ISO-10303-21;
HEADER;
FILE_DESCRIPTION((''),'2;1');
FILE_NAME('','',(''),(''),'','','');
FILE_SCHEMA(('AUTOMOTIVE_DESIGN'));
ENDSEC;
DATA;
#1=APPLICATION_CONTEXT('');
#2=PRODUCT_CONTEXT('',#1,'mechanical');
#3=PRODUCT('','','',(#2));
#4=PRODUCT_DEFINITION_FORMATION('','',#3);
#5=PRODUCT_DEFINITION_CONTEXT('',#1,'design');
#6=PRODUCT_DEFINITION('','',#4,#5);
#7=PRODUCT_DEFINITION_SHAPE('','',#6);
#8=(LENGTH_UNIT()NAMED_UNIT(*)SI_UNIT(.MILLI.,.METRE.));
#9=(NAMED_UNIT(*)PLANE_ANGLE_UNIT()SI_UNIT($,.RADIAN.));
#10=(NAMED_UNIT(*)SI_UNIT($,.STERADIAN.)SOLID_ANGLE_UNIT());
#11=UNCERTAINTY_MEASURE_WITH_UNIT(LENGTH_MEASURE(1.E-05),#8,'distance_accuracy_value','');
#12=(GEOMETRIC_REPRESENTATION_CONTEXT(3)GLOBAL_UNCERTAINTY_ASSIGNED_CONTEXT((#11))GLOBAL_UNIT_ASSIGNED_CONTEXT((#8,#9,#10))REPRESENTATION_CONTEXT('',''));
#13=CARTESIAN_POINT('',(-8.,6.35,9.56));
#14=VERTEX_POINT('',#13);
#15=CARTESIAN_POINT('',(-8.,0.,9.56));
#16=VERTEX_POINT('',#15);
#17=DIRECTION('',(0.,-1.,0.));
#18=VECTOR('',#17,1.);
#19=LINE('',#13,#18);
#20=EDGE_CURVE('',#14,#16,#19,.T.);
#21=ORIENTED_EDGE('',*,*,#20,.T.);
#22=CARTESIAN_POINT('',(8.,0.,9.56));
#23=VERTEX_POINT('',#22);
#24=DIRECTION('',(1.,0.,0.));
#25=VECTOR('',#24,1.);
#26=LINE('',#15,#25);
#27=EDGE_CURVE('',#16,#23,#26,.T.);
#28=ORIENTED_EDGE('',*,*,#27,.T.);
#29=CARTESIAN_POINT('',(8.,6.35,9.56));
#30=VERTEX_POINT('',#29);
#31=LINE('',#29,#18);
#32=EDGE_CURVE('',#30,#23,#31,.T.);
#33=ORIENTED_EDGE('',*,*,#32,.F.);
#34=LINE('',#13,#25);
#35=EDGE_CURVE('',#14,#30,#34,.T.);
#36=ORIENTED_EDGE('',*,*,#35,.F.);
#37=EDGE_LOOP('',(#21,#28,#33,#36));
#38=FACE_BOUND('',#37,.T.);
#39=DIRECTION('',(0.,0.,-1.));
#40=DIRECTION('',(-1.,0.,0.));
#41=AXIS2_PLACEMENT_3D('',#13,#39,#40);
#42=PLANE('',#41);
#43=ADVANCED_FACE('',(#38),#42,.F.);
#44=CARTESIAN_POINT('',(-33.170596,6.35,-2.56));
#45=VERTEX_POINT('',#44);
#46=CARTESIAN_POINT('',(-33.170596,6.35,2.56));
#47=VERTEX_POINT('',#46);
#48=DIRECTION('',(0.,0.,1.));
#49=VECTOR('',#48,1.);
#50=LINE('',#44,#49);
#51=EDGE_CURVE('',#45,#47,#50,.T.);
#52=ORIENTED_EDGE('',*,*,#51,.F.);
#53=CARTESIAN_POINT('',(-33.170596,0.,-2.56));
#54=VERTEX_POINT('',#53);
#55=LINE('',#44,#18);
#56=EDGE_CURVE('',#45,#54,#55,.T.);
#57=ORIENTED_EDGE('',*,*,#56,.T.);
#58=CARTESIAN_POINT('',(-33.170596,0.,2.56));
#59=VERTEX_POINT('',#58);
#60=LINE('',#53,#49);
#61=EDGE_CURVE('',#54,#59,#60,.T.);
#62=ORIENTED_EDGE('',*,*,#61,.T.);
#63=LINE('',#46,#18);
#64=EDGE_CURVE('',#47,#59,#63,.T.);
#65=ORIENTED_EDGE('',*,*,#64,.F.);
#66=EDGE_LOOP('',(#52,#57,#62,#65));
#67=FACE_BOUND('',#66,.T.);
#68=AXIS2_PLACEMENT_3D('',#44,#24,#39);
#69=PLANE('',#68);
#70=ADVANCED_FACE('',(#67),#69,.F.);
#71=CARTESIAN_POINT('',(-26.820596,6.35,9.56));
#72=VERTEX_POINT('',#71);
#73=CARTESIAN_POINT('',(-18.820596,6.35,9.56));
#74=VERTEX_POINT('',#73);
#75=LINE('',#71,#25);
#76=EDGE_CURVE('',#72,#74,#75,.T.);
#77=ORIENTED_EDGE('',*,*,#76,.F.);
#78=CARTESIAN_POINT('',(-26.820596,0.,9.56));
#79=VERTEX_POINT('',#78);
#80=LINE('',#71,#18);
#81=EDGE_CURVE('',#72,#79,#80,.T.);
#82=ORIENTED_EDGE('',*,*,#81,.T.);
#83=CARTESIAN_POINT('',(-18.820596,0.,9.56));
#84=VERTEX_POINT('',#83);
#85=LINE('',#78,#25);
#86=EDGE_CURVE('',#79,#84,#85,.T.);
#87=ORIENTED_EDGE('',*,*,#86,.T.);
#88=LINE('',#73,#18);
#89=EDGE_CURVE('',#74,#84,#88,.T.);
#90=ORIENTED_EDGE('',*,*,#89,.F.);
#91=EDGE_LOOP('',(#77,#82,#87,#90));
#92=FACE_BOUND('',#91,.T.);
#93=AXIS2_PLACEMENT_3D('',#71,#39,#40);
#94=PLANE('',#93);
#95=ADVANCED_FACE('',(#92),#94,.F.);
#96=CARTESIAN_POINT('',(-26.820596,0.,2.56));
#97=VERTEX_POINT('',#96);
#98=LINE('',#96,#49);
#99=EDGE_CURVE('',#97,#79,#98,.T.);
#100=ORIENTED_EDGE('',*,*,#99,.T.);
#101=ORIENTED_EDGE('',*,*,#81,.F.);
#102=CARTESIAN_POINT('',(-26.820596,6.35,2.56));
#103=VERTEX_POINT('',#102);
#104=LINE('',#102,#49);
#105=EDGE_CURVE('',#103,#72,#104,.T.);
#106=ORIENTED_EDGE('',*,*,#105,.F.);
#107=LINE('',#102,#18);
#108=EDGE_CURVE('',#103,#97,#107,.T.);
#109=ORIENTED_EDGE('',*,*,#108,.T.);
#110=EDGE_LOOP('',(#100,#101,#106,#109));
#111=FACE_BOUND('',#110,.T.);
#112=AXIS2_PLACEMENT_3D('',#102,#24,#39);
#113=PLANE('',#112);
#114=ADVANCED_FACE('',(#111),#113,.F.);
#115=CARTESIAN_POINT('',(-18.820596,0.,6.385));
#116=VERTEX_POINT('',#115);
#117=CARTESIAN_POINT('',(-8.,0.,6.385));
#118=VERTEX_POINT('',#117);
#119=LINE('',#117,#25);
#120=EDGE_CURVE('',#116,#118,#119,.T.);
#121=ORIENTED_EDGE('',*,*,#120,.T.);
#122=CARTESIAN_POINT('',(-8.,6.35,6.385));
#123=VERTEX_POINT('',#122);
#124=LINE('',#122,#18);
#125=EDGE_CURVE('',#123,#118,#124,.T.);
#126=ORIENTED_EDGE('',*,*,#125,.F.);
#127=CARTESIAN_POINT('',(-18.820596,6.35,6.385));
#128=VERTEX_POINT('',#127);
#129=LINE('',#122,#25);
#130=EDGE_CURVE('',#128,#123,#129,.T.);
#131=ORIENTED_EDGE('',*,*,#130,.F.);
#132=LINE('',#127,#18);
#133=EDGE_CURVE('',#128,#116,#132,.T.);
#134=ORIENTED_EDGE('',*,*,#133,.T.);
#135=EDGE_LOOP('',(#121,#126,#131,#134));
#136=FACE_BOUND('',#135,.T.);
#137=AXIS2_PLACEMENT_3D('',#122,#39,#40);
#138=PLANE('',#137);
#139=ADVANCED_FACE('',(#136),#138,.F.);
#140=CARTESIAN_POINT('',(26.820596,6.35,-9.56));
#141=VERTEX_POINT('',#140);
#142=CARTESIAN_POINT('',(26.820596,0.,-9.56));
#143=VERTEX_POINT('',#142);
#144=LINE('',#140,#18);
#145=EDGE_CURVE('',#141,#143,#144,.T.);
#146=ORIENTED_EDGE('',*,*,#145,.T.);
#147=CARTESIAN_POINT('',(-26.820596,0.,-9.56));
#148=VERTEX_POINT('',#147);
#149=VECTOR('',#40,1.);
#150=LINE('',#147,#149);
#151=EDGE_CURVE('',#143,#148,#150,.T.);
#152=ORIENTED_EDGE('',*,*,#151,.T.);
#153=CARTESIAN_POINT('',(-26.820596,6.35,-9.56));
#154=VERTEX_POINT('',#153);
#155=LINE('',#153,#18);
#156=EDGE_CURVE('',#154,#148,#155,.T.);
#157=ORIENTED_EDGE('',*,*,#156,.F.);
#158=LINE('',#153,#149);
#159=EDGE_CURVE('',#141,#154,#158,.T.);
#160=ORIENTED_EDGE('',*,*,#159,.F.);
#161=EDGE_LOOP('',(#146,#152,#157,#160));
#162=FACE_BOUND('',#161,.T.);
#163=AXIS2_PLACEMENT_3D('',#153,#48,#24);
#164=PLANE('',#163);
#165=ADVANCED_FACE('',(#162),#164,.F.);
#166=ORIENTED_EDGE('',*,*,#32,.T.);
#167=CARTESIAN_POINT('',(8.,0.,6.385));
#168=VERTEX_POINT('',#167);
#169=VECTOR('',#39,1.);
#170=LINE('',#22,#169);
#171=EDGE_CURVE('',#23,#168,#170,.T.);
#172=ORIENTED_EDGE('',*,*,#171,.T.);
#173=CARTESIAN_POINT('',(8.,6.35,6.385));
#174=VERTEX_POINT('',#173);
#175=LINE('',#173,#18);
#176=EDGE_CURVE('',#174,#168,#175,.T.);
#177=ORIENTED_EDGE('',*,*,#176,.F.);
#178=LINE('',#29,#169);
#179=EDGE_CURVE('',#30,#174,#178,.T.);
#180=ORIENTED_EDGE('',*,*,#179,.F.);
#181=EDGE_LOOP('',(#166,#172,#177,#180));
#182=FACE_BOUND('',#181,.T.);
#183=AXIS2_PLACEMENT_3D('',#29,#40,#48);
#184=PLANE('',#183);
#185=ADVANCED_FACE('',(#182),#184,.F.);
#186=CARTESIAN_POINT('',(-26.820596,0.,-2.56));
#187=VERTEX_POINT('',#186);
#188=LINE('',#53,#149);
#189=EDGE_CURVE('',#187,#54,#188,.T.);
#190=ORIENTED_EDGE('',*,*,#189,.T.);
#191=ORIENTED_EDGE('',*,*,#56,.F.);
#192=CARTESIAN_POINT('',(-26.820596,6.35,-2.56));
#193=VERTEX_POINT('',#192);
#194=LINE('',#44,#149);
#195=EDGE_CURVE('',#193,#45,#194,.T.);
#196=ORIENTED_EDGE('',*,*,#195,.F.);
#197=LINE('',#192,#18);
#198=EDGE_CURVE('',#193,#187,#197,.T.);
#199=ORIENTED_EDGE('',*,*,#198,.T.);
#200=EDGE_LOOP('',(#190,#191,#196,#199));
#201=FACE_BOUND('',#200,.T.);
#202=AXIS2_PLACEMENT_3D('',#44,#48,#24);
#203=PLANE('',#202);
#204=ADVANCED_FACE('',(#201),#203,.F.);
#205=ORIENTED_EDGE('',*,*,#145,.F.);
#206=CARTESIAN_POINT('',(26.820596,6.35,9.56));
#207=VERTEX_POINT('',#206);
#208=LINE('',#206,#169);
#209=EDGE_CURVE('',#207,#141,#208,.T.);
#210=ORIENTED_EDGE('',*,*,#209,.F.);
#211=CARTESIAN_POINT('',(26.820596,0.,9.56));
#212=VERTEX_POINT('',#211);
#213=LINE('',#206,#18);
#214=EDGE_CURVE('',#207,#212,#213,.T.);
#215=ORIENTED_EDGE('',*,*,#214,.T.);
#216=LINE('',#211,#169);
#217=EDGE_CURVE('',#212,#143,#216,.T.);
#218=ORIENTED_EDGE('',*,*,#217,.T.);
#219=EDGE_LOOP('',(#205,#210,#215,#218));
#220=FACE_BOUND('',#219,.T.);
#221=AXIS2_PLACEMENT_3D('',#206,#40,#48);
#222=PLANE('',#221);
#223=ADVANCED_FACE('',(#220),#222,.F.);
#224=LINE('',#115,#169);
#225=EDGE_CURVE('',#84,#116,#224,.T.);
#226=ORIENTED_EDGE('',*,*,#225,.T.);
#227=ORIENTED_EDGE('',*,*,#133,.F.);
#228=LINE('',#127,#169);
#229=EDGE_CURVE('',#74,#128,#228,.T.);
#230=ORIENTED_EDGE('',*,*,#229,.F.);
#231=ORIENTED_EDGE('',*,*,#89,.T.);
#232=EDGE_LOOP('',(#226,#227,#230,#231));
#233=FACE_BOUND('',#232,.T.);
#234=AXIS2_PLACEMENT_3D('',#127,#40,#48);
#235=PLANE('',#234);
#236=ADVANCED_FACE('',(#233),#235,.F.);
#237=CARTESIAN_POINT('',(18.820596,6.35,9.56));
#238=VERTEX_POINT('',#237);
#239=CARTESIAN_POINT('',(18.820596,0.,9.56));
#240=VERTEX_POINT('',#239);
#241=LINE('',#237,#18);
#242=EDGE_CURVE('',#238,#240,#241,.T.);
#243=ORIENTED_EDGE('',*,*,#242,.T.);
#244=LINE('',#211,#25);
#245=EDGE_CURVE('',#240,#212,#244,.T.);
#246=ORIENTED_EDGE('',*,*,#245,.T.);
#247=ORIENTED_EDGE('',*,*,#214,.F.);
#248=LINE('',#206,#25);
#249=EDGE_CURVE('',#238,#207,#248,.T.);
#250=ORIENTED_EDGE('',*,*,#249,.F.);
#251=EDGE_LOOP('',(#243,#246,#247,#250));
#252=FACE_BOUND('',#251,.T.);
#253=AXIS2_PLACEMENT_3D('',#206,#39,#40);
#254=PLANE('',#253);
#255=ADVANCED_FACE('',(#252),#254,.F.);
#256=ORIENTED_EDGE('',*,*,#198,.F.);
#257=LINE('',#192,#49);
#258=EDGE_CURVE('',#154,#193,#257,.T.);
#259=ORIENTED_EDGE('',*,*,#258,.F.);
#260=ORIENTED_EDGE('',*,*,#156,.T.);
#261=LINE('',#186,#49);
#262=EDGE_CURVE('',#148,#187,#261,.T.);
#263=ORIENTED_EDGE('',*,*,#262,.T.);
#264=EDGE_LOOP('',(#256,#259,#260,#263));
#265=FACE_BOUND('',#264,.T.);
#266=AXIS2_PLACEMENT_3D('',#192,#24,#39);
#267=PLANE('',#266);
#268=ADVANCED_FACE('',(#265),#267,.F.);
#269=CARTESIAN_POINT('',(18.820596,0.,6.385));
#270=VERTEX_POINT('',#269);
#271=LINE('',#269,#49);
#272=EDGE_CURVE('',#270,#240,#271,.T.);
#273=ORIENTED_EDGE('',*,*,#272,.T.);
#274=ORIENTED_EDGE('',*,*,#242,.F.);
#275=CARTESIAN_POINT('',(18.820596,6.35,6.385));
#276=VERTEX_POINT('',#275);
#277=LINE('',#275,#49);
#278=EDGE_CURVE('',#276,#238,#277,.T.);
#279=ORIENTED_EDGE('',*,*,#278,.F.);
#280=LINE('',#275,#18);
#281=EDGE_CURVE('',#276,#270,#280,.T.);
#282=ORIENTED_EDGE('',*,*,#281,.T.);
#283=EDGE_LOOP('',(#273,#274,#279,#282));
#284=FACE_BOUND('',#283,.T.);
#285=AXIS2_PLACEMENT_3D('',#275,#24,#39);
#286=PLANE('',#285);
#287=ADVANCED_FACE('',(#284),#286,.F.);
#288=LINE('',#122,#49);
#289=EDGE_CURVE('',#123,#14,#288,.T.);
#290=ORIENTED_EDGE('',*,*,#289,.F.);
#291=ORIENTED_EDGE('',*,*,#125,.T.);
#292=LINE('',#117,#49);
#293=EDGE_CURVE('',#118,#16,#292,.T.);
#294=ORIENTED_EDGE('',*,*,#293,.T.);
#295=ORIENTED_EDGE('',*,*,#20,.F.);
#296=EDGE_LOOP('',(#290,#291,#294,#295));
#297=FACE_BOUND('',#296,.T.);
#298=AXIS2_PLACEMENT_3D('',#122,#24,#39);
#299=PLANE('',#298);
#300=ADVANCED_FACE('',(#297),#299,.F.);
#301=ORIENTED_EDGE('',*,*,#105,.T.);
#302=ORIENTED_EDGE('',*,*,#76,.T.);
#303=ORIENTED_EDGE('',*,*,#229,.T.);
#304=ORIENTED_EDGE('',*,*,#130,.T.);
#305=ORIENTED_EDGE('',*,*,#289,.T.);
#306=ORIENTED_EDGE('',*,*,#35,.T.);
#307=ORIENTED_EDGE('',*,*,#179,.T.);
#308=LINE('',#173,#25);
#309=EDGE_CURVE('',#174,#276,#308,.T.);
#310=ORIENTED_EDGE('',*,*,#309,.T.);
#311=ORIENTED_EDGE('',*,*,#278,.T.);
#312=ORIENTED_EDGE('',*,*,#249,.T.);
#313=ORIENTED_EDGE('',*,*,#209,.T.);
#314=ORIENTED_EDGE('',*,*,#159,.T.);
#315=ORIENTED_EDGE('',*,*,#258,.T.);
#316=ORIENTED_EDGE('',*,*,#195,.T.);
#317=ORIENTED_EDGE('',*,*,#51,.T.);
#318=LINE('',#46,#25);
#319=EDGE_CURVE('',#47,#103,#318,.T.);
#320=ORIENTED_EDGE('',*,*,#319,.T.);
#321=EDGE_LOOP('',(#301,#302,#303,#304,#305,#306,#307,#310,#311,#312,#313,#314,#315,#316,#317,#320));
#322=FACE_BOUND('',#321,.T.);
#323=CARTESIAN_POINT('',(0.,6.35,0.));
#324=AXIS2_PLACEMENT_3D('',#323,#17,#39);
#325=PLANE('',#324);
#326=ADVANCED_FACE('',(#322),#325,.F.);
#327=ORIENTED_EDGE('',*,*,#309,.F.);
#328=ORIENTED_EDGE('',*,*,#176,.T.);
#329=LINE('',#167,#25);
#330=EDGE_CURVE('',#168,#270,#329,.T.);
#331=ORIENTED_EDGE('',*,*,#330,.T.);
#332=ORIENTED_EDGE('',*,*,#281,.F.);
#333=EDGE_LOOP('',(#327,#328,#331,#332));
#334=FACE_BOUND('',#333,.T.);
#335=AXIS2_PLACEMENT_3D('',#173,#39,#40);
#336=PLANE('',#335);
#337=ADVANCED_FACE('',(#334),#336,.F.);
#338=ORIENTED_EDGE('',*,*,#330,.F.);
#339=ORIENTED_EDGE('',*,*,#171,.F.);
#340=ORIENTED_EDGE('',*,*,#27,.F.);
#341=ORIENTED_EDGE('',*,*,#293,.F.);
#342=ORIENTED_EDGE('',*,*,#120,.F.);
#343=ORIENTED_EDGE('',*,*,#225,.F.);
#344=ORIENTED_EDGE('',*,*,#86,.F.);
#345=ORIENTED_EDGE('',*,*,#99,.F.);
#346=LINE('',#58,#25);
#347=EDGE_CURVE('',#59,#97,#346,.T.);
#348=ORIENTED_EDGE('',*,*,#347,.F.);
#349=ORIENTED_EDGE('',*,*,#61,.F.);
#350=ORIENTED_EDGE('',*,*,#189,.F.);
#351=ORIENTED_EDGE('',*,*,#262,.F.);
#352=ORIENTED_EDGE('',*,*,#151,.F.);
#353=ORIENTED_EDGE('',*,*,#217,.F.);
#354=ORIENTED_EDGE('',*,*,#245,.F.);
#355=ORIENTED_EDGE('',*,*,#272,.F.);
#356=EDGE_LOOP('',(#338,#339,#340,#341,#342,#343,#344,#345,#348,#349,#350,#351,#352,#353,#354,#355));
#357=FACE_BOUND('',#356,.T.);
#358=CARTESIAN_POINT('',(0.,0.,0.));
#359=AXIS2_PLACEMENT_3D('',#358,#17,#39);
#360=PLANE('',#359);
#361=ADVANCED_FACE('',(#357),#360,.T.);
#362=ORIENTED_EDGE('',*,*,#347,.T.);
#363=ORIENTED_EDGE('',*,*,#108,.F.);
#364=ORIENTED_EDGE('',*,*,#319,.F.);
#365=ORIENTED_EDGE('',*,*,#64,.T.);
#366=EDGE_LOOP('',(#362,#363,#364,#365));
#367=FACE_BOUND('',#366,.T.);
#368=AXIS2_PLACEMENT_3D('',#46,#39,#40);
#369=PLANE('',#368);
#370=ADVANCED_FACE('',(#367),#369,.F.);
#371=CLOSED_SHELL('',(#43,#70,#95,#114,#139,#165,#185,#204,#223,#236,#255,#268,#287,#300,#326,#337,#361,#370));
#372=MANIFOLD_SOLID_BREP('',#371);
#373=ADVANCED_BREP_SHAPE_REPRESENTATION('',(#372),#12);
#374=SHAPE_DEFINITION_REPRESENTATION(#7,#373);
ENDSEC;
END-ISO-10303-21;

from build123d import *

# Parameters (mm, degrees)
BOSS_EXTRUDE1_DEPTH = 6.35


with BuildPart() as part:
    # Sketch1 → Boss-Extrude1 (new body)
    with BuildSketch(Plane(origin=(0, 0, 0), x_dir=(1, 0, 0), z_dir=(0, 1, 0))):
        Polygon((-33.17059633, 2.56), (-26.82059633, 2.56), (-26.82059633, 9.56), (26.82059633, 9.56), (26.82059633, -9.56), (18.82059633, -9.56), (18.82059633, -6.385), (8, -6.385), (8, -9.56), (-8, -9.56), (-8, -6.385), (-18.82059633, -6.385), (-18.82059633, -9.56), (-26.82059633, -9.56), (-26.82059633, -2.56), (-33.17059633, -2.56), align=None)
    extrude(amount=BOSS_EXTRUDE1_DEPTH)


solid = part.part
